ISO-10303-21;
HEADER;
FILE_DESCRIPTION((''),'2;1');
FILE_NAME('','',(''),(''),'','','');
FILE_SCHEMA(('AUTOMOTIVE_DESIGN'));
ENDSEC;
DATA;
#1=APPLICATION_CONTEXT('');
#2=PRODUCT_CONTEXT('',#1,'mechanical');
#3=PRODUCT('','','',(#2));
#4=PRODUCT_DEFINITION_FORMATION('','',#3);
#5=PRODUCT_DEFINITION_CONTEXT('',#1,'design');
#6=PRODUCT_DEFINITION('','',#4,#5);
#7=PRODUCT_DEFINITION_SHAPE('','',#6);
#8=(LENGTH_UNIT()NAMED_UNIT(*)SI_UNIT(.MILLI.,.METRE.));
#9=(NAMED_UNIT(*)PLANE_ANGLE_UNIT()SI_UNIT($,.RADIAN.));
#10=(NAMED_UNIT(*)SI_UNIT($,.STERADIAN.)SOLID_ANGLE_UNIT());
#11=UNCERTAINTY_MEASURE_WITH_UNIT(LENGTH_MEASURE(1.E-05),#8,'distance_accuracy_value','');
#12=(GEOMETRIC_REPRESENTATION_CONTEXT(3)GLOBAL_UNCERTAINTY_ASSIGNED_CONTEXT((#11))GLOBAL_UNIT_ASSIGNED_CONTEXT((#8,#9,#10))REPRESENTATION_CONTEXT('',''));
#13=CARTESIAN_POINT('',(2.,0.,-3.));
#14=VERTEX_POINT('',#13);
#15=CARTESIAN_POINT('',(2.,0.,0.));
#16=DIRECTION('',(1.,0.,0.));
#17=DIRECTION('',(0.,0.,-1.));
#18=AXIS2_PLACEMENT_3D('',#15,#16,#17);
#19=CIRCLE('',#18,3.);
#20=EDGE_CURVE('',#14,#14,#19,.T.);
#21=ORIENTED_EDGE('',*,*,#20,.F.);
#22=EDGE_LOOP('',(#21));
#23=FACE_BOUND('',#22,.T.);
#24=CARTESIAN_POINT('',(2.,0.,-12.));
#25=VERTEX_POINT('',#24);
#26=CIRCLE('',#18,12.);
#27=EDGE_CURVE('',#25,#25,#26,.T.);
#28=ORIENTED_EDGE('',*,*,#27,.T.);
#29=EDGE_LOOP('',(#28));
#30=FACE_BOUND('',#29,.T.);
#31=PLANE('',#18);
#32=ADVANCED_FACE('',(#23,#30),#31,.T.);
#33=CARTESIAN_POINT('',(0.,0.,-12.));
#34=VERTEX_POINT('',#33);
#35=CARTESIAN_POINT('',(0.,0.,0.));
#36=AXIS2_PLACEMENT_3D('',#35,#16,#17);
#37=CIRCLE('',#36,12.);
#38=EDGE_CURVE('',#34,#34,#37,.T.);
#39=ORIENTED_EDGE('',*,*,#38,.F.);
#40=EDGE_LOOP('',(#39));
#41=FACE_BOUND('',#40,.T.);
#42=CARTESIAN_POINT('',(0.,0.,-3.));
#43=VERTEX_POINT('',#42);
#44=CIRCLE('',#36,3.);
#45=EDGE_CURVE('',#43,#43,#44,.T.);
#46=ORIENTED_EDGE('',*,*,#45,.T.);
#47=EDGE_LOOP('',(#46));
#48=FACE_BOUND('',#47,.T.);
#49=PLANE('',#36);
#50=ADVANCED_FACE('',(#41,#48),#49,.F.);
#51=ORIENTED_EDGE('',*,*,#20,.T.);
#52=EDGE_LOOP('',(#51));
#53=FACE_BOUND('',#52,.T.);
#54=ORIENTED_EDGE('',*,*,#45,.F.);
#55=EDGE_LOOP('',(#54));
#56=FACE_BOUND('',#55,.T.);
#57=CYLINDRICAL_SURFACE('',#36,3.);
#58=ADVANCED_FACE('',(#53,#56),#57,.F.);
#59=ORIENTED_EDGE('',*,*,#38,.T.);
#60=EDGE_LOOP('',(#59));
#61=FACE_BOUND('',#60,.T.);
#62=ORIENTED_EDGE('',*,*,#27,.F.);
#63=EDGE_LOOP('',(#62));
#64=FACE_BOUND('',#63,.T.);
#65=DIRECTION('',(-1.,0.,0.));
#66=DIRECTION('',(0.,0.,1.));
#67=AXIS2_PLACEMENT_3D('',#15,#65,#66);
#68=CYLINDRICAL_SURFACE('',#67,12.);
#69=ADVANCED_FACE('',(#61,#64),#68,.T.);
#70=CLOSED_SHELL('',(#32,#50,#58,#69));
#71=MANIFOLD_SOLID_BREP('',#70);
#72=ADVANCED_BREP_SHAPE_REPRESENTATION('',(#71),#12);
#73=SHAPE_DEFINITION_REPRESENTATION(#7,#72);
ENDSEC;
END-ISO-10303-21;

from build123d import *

# Parameters (mm, degrees)
SKETCH1_R               = 12
BOSS_EXTRUDE1_DEPTH     = 2
SKETCH2_R               = 3
CUT_EXTRUDE1_DEPTH      = 1
CUT_EXTRUDE1_DEPTH_BACK = 3


with BuildPart() as part:
    # Sketch1 → Boss-Extrude1 (new body)
    with BuildSketch(Plane(origin=(0, 0, 0), x_dir=(0, 0, -1), z_dir=(1, 0, 0))):
        Circle(SKETCH1_R)
    extrude(amount=BOSS_EXTRUDE1_DEPTH)

    # Sketch2 → Cut-Extrude1 (cut, two sides)
    with BuildSketch(Plane(origin=(2, 0, 0), x_dir=(0, 0, -1), z_dir=(1, 0, 0))) as cut_extrude1_sk:
        Circle(SKETCH2_R)
    extrude(amount=CUT_EXTRUDE1_DEPTH, mode=Mode.SUBTRACT)
    extrude(cut_extrude1_sk.sketch, amount=-CUT_EXTRUDE1_DEPTH_BACK, mode=Mode.SUBTRACT)


solid = part.part
